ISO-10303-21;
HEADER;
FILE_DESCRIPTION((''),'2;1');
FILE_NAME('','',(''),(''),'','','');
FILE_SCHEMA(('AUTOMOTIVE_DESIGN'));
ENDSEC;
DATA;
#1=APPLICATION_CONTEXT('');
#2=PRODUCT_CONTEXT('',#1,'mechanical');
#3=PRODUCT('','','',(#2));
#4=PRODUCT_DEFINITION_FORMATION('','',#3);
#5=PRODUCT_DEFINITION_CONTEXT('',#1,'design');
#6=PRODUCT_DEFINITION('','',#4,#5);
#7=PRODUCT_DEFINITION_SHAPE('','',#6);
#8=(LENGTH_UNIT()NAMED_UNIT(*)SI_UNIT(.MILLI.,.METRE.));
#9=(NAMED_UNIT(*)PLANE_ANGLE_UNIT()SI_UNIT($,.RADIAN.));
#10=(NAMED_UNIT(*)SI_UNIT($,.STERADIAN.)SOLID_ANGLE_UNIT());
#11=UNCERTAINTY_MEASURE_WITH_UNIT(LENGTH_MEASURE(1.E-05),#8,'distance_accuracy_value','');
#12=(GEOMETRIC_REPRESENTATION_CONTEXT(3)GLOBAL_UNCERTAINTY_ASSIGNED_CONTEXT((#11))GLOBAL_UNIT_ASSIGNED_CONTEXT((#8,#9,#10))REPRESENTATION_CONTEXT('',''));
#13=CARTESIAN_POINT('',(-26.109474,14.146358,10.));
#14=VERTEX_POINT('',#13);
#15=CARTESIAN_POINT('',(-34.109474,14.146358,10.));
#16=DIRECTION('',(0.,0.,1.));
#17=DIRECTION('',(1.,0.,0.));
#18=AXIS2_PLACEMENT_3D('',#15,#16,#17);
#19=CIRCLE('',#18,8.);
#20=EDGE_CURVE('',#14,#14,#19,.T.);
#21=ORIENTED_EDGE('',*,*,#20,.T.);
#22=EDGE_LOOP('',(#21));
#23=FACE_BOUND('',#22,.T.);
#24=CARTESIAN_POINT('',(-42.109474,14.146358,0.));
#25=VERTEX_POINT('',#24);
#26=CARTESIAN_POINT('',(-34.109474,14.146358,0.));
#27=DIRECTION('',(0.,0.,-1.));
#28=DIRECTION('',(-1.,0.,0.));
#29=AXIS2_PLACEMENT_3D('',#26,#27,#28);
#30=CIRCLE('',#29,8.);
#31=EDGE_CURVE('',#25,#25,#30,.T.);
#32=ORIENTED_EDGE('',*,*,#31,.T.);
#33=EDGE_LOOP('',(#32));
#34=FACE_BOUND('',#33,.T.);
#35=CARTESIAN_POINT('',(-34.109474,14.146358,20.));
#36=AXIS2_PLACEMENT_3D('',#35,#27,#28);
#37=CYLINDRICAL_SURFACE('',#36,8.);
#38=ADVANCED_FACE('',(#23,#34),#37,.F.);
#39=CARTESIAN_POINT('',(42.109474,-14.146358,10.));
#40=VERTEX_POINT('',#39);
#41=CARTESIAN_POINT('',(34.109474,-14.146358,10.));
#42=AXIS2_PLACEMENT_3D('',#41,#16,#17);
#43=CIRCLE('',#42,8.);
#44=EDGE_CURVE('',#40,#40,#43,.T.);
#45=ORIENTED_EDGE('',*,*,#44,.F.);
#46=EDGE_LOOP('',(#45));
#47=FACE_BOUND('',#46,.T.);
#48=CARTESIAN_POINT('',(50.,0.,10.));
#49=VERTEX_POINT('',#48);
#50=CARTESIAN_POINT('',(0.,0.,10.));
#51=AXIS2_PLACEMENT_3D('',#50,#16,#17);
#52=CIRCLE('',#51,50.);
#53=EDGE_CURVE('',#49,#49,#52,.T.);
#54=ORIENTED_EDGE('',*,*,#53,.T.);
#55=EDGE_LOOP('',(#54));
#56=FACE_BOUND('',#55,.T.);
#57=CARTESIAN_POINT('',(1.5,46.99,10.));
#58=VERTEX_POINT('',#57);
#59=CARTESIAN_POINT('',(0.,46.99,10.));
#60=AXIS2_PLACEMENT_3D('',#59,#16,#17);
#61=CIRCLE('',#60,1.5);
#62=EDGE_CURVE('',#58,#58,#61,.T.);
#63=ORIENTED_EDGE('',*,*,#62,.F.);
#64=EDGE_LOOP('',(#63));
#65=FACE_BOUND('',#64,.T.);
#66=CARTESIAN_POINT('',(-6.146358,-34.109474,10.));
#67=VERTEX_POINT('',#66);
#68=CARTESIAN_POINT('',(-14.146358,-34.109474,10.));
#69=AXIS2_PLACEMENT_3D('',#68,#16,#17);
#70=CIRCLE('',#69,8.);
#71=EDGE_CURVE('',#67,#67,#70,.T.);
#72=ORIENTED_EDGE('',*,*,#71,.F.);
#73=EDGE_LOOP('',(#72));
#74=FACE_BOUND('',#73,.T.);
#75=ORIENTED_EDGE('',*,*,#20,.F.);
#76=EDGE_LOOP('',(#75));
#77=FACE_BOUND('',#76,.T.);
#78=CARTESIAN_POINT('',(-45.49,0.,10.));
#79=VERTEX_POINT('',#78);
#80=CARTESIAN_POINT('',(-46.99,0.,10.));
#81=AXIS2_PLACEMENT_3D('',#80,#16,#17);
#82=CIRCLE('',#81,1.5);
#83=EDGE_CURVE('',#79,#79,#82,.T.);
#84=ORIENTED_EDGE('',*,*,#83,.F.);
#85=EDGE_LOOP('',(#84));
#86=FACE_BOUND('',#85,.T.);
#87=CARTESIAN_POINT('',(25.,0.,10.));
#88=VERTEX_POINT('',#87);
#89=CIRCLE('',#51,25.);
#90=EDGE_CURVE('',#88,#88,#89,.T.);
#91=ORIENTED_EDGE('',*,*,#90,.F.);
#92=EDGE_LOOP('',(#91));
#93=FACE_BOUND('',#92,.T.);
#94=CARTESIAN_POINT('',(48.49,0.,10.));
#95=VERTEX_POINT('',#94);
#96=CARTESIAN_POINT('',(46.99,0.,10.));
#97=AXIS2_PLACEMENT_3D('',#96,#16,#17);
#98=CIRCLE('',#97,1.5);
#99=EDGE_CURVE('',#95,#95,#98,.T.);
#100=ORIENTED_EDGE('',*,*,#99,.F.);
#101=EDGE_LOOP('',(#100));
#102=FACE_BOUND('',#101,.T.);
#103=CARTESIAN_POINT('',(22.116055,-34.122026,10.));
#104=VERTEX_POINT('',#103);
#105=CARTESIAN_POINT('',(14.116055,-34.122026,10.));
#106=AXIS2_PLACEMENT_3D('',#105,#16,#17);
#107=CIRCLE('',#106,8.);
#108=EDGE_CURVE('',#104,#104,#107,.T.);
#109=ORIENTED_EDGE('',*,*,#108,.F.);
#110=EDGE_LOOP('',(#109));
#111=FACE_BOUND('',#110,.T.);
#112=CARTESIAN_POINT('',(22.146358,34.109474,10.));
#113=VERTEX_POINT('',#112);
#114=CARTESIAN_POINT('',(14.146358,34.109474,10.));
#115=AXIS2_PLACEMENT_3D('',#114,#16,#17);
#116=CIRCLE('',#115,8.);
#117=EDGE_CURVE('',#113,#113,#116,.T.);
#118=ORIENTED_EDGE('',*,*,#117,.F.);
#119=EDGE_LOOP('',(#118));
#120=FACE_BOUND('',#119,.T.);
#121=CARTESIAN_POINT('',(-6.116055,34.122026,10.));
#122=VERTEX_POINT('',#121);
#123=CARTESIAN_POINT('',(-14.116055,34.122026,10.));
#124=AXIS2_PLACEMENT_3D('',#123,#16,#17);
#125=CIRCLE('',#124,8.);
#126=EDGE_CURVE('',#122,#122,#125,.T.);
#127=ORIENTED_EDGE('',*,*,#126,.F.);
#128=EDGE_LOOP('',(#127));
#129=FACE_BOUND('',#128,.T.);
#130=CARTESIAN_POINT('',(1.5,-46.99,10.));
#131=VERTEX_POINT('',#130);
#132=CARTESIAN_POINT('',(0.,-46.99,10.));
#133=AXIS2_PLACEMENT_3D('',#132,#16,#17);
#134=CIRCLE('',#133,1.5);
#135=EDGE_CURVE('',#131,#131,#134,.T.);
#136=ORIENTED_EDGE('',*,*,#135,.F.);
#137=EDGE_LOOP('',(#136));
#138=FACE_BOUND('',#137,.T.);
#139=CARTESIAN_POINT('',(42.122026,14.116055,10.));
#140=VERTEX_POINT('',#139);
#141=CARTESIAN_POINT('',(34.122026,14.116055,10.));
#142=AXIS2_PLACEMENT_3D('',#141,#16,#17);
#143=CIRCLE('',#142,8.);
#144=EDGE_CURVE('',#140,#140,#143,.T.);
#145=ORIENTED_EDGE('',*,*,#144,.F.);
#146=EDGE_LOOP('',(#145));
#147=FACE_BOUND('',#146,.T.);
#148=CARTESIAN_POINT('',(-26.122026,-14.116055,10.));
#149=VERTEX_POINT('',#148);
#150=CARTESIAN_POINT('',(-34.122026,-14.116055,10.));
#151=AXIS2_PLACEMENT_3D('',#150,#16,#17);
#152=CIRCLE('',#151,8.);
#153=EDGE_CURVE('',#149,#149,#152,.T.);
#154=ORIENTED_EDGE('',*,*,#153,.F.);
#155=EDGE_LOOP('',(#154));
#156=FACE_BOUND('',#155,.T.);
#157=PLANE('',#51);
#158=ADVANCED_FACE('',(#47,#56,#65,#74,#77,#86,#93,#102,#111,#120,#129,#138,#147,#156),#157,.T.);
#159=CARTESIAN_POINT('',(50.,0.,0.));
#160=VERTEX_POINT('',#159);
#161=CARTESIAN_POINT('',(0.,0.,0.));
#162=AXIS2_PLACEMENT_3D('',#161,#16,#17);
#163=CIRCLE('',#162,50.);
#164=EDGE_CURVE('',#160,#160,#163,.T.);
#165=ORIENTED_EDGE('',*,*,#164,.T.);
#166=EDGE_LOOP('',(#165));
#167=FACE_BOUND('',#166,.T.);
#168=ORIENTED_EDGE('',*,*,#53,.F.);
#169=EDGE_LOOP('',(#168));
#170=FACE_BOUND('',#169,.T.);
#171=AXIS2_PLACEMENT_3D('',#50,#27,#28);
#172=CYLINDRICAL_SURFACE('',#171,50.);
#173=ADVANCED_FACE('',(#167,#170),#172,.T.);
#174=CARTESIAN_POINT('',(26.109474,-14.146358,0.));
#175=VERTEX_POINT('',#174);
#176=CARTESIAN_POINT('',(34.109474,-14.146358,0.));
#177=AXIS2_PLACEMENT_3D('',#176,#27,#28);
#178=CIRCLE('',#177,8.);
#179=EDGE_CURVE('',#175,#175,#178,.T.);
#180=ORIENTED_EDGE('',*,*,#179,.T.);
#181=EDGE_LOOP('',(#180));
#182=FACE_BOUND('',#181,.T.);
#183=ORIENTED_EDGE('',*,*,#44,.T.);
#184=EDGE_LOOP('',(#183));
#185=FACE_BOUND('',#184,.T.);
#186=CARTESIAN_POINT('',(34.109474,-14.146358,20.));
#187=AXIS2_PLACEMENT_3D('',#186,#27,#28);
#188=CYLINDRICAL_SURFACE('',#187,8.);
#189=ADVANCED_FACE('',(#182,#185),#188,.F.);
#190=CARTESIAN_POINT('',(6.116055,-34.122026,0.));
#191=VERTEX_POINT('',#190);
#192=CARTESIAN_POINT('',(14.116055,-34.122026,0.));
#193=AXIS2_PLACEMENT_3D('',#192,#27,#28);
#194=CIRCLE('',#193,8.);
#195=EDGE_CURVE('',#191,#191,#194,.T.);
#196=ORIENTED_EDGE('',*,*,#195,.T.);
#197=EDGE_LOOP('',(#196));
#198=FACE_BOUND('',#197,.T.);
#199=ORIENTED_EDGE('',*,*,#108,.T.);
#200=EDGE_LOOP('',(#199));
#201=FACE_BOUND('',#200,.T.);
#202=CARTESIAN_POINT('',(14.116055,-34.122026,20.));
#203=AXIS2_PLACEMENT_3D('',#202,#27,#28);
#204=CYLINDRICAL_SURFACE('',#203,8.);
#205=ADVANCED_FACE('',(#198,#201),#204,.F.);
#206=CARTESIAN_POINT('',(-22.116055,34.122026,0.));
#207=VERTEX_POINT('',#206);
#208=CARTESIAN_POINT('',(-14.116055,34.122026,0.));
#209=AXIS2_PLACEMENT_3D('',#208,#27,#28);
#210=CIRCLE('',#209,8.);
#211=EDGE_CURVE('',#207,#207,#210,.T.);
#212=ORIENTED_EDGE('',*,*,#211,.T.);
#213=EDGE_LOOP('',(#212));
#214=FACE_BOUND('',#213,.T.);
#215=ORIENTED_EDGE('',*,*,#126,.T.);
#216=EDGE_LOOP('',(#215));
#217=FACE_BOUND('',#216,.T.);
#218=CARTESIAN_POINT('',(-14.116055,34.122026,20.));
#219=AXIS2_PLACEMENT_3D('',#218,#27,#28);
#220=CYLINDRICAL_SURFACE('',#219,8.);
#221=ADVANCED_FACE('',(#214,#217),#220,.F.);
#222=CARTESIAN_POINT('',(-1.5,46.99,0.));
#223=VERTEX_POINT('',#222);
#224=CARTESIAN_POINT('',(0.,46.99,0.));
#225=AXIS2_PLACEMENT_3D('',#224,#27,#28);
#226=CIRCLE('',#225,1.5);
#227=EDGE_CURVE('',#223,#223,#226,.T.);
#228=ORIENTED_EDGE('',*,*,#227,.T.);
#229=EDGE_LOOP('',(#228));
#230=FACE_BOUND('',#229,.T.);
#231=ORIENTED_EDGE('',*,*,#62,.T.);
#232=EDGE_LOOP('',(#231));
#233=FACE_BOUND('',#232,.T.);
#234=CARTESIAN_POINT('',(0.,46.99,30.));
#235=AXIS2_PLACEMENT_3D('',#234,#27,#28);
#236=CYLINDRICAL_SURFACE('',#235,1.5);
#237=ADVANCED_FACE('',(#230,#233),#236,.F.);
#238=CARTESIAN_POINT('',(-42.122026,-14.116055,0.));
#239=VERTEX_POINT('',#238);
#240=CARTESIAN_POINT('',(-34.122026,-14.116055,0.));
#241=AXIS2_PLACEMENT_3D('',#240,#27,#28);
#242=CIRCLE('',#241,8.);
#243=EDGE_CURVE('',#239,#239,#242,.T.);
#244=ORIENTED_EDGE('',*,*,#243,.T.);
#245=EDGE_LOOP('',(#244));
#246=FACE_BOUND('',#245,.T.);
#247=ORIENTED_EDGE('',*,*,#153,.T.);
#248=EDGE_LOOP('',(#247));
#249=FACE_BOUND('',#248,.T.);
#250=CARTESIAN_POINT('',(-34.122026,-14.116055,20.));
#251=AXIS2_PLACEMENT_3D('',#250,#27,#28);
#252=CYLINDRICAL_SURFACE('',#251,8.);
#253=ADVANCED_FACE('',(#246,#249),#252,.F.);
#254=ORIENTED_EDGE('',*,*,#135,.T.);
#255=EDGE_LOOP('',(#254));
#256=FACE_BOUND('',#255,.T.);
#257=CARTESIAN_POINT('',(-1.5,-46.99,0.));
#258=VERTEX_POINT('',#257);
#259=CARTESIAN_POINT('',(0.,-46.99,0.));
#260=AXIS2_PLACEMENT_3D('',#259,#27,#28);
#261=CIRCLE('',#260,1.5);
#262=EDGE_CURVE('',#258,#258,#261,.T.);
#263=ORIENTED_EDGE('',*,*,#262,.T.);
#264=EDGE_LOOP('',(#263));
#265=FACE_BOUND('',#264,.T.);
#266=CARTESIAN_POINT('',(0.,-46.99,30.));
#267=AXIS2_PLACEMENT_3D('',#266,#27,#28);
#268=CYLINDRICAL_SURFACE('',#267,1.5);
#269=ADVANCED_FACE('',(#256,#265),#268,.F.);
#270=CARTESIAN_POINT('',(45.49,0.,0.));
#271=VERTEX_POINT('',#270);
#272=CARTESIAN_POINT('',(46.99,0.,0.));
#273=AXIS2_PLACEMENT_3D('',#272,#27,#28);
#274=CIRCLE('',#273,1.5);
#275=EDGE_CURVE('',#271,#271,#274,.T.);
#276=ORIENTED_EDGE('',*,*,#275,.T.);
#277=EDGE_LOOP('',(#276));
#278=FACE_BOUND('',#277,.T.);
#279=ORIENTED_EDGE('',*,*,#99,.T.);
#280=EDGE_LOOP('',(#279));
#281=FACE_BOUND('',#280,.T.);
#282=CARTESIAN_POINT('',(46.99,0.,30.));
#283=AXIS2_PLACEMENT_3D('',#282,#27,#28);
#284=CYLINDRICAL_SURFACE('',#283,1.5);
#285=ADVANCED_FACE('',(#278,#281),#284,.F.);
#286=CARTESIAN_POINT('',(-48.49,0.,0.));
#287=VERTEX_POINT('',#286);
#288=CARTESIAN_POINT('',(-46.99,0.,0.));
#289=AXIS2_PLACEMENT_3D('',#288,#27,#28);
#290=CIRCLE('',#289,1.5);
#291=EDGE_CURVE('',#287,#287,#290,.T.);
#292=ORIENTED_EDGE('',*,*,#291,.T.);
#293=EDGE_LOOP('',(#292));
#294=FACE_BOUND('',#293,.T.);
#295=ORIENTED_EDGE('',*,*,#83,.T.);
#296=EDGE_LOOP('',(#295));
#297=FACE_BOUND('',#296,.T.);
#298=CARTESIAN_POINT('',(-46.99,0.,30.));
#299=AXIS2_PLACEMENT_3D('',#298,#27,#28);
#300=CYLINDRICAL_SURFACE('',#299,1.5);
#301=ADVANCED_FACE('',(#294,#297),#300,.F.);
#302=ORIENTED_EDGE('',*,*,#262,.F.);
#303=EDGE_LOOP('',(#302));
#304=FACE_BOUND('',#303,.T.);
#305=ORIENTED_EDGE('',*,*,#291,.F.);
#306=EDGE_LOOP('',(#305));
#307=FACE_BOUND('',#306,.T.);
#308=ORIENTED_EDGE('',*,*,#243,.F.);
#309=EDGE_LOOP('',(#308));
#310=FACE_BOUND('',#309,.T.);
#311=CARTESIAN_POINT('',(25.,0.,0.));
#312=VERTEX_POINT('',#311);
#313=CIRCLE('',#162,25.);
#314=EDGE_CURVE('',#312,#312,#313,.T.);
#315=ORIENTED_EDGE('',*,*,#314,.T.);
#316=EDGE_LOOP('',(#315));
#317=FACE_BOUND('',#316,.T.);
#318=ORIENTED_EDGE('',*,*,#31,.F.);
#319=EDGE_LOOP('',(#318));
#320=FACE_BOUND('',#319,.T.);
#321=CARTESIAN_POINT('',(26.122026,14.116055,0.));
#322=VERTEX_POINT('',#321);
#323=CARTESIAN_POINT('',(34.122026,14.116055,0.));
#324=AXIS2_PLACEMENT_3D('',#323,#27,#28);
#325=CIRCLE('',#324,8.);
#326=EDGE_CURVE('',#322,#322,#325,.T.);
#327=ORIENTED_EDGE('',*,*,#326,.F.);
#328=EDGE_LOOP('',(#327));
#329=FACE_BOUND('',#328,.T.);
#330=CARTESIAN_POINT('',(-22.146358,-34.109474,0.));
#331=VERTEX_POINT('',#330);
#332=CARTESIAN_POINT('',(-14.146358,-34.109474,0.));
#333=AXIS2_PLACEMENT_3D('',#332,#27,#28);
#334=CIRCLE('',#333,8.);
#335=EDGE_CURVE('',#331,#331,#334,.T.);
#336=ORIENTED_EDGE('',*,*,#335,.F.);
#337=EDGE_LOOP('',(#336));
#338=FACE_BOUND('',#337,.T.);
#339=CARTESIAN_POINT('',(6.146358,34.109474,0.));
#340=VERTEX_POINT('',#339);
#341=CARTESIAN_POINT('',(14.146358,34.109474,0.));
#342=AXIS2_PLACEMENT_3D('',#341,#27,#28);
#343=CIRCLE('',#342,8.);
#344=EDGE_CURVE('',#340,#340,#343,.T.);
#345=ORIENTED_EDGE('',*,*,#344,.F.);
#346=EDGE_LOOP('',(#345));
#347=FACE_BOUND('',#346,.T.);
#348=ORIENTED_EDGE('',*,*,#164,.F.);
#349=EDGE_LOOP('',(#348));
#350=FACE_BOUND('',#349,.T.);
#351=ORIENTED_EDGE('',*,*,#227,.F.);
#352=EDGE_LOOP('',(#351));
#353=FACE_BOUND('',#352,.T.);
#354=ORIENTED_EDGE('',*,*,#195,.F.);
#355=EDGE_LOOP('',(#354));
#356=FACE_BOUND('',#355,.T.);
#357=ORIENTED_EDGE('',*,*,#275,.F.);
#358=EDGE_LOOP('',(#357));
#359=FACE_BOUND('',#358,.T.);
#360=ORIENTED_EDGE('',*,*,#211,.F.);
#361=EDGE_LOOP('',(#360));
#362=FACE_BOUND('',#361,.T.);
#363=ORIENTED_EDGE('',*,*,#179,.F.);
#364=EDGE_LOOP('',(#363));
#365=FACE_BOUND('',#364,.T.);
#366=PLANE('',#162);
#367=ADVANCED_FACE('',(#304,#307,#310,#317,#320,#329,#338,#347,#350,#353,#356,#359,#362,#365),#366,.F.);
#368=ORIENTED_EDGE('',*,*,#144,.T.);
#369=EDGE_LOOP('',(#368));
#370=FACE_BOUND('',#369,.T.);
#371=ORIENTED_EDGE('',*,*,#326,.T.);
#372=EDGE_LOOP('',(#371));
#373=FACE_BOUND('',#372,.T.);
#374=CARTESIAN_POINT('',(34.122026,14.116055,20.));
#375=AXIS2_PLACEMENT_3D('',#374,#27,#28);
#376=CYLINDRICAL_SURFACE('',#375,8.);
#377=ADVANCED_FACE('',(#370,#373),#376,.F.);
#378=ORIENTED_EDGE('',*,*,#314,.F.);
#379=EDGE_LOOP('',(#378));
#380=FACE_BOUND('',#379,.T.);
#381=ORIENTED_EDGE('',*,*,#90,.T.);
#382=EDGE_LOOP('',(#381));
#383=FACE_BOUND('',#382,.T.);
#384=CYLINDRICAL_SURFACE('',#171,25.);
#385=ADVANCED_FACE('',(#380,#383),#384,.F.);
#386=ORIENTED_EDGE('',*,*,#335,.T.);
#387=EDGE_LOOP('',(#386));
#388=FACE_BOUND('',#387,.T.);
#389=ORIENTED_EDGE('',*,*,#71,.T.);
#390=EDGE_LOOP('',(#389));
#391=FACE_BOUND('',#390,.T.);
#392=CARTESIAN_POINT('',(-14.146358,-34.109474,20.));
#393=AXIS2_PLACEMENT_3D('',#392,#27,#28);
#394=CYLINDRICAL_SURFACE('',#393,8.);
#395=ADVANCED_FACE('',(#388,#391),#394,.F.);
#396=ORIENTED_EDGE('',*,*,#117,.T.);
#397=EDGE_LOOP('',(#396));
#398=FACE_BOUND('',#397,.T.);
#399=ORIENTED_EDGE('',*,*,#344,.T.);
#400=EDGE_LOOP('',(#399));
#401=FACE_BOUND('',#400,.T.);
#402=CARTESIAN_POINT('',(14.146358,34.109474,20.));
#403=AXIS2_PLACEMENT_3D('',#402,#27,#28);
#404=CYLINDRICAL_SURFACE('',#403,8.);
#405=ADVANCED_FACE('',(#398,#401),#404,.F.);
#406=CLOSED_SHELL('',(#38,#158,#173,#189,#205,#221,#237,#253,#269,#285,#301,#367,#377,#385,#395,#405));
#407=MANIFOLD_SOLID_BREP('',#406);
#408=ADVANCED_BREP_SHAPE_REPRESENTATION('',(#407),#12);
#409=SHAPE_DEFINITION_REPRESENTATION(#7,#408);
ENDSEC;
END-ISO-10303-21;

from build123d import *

# Parameters (mm, degrees)
SKETCH1_R           = 50
SKETCH1_R_2         = 25
BOSS_EXTRUDE1_DEPTH = 10
SKETCH3_R           = 8
CUT_EXTRUDE1_DEPTH  = 20
SKETCH4_R           = 1.5
CUT_EXTRUDE2_DEPTH  = 30


with BuildPart() as part:
    # Sketch1 → Boss-Extrude1 (new body)
    with BuildSketch(Plane.XY):
        Circle(SKETCH1_R)
        Circle(SKETCH1_R_2, mode=Mode.SUBTRACT)
    extrude(amount=BOSS_EXTRUDE1_DEPTH)

    # Sketch3 → Cut-Extrude1 (cut)
    with BuildSketch(Plane(origin=(0, 0, 0), x_dir=(-1, 0, 0), z_dir=(0, 0, -1))):
        with Locations((-14.146357726, 34.109474384)):
            Circle(SKETCH3_R)
        with Locations((14.116055163, 34.122026117)):
            Circle(SKETCH3_R)
        with Locations((34.109474384, 14.146357726)):
            Circle(SKETCH3_R)
        with Locations((34.122026117, -14.116055163)):
            Circle(SKETCH3_R)
        with Locations((14.146357726, -34.109474384)):
            Circle(SKETCH3_R)
        with Locations((-14.116055163, -34.122026117)):
            Circle(SKETCH3_R)
        with Locations((-34.109474384, -14.146357726)):
            Circle(SKETCH3_R)
        with Locations((-34.122026117, 14.116055163)):
            Circle(SKETCH3_R)
    extrude(amount=-CUT_EXTRUDE1_DEPTH, mode=Mode.SUBTRACT)

    # Sketch4 → Cut-Extrude2 (cut)
    with BuildSketch(Plane(origin=(0, 0, 0), x_dir=(-1, 0, 0), z_dir=(0, 0, -1))):
        with Locations((0, 46.99)):
            Circle(SKETCH4_R)
        with Locations((46.99, 0)):
            Circle(SKETCH4_R)
        with Locations((0, -46.99)):
            Circle(SKETCH4_R)
        with Locations((-46.99, 0)):
            Circle(SKETCH4_R)
    extrude(amount=-CUT_EXTRUDE2_DEPTH, mode=Mode.SUBTRACT)


solid = part.part
